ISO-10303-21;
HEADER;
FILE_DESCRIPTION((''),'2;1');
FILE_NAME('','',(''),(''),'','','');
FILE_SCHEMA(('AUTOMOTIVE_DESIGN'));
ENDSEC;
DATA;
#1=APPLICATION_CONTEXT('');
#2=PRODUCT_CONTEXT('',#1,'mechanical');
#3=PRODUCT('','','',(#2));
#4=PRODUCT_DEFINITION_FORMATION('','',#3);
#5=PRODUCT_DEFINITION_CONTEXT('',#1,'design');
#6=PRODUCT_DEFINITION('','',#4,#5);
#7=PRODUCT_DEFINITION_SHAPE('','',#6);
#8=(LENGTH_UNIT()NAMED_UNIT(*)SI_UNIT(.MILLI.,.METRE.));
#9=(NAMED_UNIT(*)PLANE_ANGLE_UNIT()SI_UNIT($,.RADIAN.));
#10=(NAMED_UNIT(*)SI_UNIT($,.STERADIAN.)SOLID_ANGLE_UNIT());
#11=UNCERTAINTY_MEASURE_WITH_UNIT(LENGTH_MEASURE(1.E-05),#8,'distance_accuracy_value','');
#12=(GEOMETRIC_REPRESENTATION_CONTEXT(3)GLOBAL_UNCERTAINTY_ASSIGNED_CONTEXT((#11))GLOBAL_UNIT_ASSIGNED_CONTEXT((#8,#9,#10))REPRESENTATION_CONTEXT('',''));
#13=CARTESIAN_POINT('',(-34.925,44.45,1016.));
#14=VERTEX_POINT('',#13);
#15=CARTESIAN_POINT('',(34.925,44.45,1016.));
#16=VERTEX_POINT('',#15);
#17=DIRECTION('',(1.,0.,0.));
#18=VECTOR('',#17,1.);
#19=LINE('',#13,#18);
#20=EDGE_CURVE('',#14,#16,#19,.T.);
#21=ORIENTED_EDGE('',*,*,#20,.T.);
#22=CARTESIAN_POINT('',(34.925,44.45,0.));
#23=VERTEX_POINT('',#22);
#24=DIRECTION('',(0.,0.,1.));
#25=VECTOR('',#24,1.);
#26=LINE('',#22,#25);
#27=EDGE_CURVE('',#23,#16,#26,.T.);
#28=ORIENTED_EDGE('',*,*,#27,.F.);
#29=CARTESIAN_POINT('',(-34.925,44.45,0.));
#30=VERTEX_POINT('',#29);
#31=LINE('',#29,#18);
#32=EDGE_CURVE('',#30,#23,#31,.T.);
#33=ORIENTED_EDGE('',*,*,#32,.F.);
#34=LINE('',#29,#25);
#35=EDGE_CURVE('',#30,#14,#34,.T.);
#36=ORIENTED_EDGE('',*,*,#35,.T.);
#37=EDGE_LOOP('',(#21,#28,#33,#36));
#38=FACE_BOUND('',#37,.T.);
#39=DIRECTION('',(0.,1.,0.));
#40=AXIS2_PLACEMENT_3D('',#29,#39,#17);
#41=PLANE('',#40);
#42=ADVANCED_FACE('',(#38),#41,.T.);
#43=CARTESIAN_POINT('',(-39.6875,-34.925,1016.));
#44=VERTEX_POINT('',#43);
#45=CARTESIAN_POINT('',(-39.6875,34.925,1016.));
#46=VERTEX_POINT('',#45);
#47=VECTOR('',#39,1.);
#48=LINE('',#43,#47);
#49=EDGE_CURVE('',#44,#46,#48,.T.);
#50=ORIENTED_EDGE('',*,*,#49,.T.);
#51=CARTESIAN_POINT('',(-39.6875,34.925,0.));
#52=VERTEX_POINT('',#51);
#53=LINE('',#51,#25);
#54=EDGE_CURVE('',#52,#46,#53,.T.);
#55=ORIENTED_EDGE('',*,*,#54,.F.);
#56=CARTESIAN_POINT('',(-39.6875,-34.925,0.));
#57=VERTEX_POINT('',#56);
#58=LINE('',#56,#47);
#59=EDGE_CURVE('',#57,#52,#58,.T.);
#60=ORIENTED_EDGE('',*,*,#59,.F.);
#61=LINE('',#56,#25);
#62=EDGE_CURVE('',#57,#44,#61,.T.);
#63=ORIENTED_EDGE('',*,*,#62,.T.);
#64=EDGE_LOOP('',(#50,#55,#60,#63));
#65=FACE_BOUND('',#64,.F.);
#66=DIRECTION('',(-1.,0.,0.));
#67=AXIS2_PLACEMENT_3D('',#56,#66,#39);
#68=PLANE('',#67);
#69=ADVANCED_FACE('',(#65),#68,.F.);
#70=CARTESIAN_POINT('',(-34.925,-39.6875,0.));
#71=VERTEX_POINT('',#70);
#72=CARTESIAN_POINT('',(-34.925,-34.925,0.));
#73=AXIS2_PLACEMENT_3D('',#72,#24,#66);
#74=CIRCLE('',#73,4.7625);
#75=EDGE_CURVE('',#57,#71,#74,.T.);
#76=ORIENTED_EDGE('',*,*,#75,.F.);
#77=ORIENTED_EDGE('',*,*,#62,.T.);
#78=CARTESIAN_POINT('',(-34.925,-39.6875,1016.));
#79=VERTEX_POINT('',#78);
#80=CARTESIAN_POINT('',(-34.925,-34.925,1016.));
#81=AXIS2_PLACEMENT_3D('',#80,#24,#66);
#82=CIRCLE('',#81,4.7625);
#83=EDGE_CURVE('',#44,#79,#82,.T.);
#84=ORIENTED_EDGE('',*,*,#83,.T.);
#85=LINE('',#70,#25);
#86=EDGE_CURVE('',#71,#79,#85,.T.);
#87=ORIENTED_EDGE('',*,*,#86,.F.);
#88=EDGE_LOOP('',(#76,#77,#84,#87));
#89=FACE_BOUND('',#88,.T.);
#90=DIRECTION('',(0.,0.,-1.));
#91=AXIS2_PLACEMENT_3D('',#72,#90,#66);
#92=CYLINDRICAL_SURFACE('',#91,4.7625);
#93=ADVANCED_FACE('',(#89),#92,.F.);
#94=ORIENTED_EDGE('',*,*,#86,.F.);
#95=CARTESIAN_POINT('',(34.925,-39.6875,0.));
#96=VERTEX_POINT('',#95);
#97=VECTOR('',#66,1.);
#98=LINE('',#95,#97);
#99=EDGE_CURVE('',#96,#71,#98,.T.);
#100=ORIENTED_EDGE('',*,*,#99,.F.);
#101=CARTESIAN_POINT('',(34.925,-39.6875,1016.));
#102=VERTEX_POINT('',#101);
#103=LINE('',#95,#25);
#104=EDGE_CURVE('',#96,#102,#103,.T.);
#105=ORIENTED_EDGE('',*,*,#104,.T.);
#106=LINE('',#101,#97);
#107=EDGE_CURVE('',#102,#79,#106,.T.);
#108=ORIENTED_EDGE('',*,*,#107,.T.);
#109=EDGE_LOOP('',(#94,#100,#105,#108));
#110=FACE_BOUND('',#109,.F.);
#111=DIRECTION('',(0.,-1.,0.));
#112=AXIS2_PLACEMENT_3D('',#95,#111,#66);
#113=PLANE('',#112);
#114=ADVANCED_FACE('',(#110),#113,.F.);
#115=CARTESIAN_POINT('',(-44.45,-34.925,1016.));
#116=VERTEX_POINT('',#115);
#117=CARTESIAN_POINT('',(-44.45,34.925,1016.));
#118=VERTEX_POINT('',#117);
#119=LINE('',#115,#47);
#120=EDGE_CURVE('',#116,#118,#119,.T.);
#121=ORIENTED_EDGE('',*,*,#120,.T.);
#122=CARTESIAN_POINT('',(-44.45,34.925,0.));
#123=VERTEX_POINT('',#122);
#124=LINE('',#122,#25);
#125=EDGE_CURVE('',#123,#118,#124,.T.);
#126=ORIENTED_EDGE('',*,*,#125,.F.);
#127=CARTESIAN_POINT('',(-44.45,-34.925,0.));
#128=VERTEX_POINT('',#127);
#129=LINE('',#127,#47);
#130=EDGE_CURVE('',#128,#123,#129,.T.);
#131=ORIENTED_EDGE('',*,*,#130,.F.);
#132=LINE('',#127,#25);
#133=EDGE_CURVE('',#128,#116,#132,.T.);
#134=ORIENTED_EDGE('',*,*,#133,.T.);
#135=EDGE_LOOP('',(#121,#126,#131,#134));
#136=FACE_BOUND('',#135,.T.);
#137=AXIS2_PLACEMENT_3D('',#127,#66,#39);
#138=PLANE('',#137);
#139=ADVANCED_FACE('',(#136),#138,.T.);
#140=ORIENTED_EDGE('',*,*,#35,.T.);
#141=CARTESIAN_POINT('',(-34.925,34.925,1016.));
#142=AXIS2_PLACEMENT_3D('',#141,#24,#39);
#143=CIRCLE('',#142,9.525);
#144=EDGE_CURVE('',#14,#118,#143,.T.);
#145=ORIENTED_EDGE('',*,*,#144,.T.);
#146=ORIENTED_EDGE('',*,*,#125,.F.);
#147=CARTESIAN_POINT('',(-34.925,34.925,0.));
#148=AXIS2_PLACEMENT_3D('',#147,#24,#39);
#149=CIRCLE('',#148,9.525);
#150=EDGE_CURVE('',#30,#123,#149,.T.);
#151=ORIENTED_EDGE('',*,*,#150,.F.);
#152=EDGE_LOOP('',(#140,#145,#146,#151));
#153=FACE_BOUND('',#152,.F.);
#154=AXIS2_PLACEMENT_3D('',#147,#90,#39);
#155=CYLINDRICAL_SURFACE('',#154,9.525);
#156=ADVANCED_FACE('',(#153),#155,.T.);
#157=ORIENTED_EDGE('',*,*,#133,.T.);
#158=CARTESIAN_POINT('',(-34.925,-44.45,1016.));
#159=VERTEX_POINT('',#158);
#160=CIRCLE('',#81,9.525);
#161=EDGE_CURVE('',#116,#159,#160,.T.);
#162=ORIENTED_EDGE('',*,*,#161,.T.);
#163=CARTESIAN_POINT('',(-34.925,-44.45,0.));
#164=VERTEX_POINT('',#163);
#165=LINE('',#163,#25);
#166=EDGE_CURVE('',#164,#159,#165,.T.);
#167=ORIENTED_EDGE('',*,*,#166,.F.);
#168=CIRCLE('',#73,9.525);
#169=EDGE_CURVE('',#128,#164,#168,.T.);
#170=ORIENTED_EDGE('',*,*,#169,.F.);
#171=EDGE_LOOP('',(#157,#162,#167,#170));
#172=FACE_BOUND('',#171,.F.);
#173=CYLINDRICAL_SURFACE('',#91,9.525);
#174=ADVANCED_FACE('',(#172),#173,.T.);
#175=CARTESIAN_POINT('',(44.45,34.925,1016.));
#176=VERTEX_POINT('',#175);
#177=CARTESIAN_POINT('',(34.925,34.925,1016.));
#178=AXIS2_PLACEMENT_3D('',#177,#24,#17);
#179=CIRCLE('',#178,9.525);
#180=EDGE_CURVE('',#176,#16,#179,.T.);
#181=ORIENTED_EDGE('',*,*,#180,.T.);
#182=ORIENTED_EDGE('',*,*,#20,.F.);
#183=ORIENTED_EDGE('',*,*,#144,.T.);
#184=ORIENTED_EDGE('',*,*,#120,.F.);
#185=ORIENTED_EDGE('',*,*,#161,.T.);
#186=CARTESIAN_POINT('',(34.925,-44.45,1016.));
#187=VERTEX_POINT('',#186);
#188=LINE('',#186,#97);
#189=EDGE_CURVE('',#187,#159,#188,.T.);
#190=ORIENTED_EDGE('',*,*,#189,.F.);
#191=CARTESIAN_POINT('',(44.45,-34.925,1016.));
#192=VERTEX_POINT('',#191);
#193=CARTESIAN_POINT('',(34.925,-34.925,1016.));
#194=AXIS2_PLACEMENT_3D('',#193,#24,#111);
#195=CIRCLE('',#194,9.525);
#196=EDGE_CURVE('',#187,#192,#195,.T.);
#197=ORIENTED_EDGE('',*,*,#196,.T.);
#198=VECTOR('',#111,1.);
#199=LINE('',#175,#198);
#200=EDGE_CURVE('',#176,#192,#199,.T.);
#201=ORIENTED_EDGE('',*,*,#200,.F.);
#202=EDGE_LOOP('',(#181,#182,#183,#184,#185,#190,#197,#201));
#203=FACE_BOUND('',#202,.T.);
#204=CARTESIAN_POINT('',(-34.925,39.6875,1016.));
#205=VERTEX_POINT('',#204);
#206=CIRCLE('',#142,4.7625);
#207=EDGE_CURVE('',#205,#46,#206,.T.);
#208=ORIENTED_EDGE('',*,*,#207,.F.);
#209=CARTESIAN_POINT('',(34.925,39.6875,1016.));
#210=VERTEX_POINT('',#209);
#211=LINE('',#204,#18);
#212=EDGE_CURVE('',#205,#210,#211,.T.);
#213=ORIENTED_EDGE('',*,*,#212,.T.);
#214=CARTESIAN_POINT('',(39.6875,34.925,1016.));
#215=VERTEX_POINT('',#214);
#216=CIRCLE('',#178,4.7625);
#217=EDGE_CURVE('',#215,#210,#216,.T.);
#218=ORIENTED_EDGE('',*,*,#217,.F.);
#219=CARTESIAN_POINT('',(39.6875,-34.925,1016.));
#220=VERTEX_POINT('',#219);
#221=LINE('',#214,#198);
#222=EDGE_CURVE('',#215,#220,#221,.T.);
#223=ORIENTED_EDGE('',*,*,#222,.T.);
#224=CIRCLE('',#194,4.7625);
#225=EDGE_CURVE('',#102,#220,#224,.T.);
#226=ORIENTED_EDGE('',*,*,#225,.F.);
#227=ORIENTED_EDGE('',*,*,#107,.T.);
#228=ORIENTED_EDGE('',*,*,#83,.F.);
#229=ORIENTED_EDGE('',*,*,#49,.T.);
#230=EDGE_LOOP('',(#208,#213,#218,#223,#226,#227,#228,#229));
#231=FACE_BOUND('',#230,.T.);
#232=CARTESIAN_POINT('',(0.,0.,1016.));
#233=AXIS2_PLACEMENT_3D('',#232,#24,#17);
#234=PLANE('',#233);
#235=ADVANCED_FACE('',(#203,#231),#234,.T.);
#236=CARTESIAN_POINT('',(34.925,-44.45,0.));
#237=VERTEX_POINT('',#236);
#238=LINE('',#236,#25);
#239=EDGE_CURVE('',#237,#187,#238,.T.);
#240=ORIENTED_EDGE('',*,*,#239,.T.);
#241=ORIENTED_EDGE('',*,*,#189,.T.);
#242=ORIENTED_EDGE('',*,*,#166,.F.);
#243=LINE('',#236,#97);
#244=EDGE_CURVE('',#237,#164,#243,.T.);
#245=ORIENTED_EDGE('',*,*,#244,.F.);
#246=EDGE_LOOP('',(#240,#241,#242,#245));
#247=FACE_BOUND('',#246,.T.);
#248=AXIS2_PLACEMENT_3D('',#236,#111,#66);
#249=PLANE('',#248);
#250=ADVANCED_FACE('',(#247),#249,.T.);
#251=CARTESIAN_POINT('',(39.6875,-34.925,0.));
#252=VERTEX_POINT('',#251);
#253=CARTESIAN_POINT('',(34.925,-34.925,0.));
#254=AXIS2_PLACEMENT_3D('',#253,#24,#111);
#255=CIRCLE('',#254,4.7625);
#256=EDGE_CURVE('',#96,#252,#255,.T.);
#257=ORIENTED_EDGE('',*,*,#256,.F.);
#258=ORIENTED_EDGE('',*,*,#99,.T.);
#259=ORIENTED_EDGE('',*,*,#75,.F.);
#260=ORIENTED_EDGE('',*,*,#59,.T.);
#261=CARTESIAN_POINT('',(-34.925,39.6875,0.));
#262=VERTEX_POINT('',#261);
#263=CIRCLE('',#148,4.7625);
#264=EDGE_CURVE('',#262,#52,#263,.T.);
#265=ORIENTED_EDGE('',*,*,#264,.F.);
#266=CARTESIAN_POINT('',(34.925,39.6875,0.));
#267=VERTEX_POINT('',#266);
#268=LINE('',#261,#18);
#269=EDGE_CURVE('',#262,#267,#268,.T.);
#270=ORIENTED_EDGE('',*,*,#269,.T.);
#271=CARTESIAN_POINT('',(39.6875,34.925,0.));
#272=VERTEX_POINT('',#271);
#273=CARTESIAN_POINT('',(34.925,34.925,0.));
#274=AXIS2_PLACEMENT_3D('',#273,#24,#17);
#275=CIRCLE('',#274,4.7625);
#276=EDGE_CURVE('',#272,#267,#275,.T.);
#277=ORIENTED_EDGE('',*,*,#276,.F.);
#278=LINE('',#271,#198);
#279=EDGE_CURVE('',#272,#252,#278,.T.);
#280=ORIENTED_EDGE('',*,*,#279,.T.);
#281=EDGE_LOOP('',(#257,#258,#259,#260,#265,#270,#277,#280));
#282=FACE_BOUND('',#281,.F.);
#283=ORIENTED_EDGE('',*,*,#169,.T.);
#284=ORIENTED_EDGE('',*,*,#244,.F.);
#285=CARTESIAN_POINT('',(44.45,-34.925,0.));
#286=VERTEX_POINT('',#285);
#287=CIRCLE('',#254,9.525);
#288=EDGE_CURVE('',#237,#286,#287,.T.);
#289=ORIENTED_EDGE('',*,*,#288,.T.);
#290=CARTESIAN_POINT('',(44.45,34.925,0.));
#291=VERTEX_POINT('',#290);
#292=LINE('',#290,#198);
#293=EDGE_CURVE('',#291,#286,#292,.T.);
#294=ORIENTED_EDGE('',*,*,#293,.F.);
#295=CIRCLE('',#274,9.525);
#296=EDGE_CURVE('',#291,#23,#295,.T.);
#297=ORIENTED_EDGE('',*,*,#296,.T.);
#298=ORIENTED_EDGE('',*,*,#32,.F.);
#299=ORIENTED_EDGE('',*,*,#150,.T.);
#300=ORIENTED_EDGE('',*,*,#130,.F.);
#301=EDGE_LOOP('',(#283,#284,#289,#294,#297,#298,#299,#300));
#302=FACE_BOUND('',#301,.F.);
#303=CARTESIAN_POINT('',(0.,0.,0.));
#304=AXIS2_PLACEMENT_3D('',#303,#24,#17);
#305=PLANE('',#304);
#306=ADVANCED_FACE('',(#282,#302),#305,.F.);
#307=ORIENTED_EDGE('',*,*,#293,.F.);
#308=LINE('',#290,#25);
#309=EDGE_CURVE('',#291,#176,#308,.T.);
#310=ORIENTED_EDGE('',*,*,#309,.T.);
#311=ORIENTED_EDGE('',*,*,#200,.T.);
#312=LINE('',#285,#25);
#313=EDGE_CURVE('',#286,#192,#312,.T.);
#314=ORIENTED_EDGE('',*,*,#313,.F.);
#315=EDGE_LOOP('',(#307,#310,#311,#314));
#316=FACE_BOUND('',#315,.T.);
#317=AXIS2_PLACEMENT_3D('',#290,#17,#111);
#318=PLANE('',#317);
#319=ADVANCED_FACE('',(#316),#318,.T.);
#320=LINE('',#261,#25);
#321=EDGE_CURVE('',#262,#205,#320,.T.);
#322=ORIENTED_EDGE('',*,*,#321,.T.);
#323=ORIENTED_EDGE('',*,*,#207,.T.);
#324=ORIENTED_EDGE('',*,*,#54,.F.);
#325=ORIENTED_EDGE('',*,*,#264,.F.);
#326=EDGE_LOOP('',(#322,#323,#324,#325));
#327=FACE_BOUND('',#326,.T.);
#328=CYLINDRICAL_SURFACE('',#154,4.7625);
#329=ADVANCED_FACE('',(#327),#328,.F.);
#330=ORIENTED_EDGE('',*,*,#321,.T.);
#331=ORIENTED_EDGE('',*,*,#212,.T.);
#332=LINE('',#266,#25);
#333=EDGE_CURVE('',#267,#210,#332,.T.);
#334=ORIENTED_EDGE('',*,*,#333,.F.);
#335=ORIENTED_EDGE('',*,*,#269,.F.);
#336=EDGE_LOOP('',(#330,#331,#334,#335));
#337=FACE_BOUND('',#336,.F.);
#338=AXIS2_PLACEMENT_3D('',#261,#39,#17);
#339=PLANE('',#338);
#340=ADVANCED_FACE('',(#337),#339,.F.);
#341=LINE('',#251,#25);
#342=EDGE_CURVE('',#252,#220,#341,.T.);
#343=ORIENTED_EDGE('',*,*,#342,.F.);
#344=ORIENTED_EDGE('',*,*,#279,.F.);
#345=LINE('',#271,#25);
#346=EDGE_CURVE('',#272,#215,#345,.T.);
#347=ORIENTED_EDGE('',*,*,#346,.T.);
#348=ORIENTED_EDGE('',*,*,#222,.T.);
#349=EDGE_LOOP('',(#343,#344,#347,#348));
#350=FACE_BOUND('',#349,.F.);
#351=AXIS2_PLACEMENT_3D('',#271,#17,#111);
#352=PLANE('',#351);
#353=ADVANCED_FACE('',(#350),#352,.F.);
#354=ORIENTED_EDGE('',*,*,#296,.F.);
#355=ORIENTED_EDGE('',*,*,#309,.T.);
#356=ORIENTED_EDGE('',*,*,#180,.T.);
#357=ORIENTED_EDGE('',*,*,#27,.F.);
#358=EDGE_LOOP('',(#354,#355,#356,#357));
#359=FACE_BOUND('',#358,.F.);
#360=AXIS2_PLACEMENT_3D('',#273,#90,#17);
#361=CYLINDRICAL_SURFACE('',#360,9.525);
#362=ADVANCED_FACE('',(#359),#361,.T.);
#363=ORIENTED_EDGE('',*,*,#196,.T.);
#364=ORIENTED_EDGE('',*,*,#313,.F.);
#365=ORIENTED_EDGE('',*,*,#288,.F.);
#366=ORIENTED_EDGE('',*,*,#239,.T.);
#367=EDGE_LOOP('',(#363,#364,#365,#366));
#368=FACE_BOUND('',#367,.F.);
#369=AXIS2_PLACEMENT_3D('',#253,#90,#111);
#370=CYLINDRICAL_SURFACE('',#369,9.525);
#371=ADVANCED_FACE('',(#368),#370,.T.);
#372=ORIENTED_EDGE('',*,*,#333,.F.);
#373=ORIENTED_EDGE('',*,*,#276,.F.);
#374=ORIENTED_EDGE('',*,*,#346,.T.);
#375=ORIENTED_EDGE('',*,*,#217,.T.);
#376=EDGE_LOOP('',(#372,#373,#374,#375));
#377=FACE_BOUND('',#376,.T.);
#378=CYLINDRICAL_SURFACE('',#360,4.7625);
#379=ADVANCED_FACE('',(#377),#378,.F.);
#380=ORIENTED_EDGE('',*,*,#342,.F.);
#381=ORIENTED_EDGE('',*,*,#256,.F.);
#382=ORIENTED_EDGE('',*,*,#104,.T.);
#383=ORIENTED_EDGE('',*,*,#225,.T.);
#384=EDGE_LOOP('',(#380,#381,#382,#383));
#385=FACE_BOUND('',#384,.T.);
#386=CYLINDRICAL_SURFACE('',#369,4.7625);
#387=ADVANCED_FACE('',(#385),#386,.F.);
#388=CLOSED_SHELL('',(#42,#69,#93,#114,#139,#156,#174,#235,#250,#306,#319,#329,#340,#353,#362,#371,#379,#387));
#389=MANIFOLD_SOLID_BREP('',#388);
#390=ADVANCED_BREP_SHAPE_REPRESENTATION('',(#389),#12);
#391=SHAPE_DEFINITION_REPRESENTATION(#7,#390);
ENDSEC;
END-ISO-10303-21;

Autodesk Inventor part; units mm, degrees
ref_plane "YZ Plane" through (0, 0, 0) normal (1, 0, 0) x (0, 1, 0)
ref_plane "Start plane" through (0, 0, 0) normal (0, 0, 1) x (1, 0, 0)
ref_plane "End plane" through (0, 0, 1016) normal (0, 0, 1) x (1, 0, 0)
sketch "Sketch" plane through (0, 0, 0) normal (0, 0, 1) x (1, 0, 0)
  line L0 (-44.45, -34.925) -> (-44.45, 34.925)
  line L1 (-34.925, 44.45) -> (34.925, 44.45)
  line L2 (44.45, 34.925) -> (44.45, -34.925)
  line L3 (34.925, -44.45) -> (-34.925, -44.45)
  arc A0 (-44.45, -34.925) -> (-34.925, -44.45) centre (-34.925, -34.925) ccw
  arc A1 (-34.925, 44.45) -> (-44.45, 34.925) centre (-34.925, 34.925) ccw
  arc A2 (44.45, 34.925) -> (34.925, 44.45) centre (34.925, 34.925) ccw
  arc A3 (34.925, -44.45) -> (44.45, -34.925) centre (34.925, -34.925) ccw
  arc A4 (-34.925, 39.6875) -> (-39.6875, 34.925) centre (-34.925, 34.925) ccw
  line L4 (-34.925, 39.6875) -> (34.925, 39.6875)
  arc A5 (39.6875, 34.925) -> (34.925, 39.6875) centre (34.925, 34.925) ccw
  line L5 (39.6875, 34.925) -> (39.6875, -34.925)
  arc A6 (34.925, -39.6875) -> (39.6875, -34.925) centre (34.925, -34.925) ccw
  line L6 (34.925, -39.6875) -> (-34.925, -39.6875)
  arc A7 (-39.6875, -34.925) -> (-34.925, -39.6875) centre (-34.925, -34.925) ccw
  line L7 (-39.6875, -34.925) -> (-39.6875, 34.925)
  line L8 (0, 36.9477) -> (0, -36.9477) construction
  line L9 (-23.0793, 0) -> (23.0793, 0) construction
  dimension "d10" = 88.9
  dimension "d11" = 88.9
  dimension "d12" = 4.7625
  dimension "d15" = 44.45
  dimension "d16" = 44.45
  dimension "d17" = 9.525
extrude "Body" add sketch "Sketch" along normal up to surface (1016 mm away) from surface at 0
sketch "Sketch3" plane through (0, 0, 0) normal (0, 0, 1) x (1, 0, 0)
  line L0 (0, 0) -> (10, 0)
ref_plane "Work Plane3" through (0, 0, 0) normal (0, -1, 0) x (1, 0, 0)
sketch "Sketch4" plane through (0, 0, 0) normal (0, -1, 0) x (1, 0, 0)
  line L0 (-2, 0) -> (12, 0)
  line L1 (-2, 1016) -> (12, 1016)
  dimension "d19" = 1016
equation "\"d10\" = G_H"
equation "\"d11\" = G_W"
equation "\"d12\" = G_T"
equation "\"d15\" = 0.5 * d10"
equation "\"d16\" = 0.5 * d11"
equation "\"d17\" = G_IR"
equation "\"d3\" = G_L"
equation "\"G_W\" = 88.9"
equation "\"G_H\" = 88.9"
equation "\"G_T\" = 4.7625"
equation "\"G_IR\" = 9.525"
equation "\"G_L\" = d19"
equation "\"G_OFFSET_START\" = 0"
equation "\"G_OFFSET_END\" = 0"
equation "\"d14\" = G_OFFSET_END + B_L"
equation "\"B_L\" = 1016"
properties part number "AISC - 3.5x3.5x3/16 - 40" material "Steel, Mild"
